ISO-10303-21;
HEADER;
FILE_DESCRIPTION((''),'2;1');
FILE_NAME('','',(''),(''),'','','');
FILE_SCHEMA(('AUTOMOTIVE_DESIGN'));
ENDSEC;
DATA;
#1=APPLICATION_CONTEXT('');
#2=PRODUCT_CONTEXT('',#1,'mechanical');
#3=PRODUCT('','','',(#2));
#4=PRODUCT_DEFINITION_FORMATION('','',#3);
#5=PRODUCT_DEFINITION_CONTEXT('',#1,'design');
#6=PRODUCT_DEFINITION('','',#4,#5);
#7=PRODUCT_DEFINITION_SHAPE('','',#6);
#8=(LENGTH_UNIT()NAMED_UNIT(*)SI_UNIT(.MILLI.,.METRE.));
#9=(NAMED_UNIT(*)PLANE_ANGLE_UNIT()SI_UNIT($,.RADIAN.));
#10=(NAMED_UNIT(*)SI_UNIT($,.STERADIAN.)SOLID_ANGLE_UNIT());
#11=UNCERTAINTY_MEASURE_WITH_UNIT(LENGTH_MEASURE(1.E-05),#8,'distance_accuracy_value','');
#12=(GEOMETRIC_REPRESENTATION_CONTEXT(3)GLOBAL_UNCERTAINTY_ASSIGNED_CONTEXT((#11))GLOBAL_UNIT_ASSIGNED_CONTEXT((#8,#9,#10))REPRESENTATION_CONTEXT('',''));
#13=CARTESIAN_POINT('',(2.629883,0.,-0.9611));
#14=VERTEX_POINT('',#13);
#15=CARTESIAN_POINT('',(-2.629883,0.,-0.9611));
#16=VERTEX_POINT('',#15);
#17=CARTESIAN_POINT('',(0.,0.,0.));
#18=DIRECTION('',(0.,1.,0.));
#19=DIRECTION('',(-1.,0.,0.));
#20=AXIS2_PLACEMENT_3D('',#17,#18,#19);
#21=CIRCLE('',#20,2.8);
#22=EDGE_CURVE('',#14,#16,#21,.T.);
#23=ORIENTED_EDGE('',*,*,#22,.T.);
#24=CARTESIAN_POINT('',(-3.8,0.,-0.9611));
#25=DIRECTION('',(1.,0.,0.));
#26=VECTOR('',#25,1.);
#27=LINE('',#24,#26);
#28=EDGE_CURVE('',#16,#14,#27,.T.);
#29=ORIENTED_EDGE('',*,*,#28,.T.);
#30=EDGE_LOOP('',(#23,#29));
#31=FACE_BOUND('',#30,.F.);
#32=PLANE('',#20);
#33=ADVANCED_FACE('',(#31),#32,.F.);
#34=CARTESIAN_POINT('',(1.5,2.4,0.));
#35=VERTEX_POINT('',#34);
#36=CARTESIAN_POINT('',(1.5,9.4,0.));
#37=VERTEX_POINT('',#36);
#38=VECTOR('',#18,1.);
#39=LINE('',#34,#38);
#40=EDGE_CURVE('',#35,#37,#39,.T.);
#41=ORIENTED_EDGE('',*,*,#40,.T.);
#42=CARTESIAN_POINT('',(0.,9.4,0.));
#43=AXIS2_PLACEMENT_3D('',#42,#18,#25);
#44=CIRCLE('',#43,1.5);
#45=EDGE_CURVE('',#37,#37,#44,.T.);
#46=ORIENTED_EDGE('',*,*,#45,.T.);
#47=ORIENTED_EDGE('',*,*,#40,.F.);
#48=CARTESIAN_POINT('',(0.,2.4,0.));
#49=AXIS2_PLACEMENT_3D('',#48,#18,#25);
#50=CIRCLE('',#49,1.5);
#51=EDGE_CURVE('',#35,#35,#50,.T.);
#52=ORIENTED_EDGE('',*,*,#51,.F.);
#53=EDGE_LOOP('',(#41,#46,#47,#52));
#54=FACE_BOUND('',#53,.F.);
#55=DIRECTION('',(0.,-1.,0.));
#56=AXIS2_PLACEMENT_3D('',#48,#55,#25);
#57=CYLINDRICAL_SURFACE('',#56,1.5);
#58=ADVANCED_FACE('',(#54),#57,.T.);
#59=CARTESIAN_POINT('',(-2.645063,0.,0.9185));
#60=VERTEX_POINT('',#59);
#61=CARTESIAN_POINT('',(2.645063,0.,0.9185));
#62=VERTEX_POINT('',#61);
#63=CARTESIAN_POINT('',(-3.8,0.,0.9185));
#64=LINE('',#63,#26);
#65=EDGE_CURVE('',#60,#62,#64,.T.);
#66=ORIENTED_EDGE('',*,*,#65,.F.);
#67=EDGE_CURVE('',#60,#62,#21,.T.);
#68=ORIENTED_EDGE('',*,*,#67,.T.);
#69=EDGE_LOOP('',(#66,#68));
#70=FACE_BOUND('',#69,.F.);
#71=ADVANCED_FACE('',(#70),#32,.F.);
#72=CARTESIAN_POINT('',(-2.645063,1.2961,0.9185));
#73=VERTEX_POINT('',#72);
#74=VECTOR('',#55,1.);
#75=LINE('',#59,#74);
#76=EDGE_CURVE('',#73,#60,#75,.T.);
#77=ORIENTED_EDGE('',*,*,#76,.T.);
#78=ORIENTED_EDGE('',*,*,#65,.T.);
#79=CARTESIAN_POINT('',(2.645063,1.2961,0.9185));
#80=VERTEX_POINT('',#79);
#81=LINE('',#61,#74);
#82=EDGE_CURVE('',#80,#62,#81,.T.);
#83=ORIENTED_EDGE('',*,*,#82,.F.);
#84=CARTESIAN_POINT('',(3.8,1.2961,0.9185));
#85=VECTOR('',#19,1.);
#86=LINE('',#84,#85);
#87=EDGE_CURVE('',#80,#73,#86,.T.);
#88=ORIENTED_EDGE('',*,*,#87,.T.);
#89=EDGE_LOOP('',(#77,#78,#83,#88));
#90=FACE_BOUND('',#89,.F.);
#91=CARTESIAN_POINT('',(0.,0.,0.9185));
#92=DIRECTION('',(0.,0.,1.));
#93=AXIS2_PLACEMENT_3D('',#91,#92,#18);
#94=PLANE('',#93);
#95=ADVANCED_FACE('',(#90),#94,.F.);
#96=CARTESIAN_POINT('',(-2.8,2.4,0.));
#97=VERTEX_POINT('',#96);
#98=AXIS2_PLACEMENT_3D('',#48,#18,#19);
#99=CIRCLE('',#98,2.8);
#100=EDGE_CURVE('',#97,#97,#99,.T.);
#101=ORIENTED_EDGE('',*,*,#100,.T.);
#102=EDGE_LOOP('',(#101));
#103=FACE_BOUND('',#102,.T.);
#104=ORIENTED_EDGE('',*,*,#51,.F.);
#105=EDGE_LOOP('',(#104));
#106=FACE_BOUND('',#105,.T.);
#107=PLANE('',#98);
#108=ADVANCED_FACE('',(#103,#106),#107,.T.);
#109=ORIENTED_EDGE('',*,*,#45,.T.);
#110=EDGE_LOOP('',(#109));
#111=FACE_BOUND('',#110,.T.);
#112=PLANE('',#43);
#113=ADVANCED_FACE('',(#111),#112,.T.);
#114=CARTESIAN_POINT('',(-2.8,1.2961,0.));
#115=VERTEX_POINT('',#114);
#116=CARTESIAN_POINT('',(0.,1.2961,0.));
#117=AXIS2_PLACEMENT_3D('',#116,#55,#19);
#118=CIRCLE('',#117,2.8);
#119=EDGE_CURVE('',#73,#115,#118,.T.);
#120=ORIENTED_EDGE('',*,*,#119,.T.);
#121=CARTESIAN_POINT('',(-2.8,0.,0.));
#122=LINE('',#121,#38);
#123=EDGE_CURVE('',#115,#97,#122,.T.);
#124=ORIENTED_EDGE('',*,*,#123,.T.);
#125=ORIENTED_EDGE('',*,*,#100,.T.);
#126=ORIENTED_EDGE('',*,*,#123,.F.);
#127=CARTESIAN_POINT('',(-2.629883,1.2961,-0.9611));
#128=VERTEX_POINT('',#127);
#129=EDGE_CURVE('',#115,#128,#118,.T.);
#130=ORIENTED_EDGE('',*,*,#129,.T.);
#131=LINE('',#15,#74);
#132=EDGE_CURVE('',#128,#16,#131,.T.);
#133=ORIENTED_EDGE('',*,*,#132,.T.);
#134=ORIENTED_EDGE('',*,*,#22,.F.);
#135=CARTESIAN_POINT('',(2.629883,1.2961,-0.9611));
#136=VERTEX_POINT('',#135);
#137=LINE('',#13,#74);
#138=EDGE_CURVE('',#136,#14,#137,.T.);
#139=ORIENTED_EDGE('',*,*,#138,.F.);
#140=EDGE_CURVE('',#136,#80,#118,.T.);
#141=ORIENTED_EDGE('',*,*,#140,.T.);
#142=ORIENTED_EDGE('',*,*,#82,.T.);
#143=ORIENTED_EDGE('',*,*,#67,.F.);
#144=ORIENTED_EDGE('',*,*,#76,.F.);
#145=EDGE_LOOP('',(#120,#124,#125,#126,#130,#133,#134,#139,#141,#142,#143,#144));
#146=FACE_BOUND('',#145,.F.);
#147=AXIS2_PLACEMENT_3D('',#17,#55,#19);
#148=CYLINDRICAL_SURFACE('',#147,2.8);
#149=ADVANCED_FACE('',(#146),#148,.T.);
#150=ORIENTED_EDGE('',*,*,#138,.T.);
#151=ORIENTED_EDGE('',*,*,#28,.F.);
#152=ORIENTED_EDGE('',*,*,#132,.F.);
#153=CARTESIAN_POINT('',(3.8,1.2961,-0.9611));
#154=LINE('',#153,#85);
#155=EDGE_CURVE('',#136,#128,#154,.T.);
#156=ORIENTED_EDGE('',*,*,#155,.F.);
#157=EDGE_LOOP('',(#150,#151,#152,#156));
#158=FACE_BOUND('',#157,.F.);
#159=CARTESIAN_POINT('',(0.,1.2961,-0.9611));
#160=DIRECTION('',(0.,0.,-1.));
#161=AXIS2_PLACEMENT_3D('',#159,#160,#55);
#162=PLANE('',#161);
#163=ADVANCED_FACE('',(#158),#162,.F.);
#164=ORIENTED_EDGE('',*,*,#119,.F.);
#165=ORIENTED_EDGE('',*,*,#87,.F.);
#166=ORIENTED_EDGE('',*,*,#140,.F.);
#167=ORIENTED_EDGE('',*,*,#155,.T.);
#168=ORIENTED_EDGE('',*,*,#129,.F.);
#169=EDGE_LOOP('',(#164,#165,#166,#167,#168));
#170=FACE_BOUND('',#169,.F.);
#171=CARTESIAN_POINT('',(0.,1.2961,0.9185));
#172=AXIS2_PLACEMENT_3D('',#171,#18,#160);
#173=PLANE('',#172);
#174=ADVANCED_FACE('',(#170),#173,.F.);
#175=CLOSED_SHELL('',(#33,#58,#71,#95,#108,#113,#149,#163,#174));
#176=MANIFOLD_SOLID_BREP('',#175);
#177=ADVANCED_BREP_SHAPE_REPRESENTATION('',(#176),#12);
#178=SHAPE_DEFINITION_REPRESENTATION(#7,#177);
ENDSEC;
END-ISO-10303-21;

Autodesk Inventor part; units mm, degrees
ref_plane "YZ Plane" through (0, 0, 0) normal (1, 0, 0) x (0, 1, 0)
ref_plane "XZ Plane" through (0, 0, 0) normal (0, 1, 0) x (-1, 0, 0)
ref_plane "XY Plane" through (0, 0, 0) normal (0, 0, 1) x (1, 0, 0)
sketch "Esboço1" plane through (0, 0, 0) normal (0, 1, 0) x (-1, 0, 0)
  circle A0 centre (0, 0) radius 2.8
  dimension "d0" = 5.6
extrude "Extrusão1" add sketch "Esboço1" along normal blind 2.4
sketch "Esboço2" plane through (0, 0, 0) normal (1, 0, 0) x (0, 1, 0)
  line L0 (0, 0.9185) -> (1.2961, 0.9185)
  line L1 (1.2961, 0.9185) -> (1.2961, -0.9611)
  line L2 (1.2961, -0.9611) -> (0, -0.9611)
  line L3 (0, -0.9611) -> (0, 0.9185)
  point P0 (0, 0)
extrude "Extrusão2" cut sketch "Esboço2" along normal through all both and the other way through all
sketch "Esboço3" plane through (0, 2.4, 0) normal (0, 1, 0) x (1, 0, 0)
  circle A0 centre (0, 0) radius 2.8 projected
  circle A1 centre (0, 0) radius 1.5
  dimension "d5" = 3
extrude "Extrusão3" add sketch "Esboço3" along normal blind 7 contours A1
thread "Rosca1" size "M3x0.5" class "6g" standard "ANSI Metric M Profile" full length
properties part number "Parafuso-M3-7"
